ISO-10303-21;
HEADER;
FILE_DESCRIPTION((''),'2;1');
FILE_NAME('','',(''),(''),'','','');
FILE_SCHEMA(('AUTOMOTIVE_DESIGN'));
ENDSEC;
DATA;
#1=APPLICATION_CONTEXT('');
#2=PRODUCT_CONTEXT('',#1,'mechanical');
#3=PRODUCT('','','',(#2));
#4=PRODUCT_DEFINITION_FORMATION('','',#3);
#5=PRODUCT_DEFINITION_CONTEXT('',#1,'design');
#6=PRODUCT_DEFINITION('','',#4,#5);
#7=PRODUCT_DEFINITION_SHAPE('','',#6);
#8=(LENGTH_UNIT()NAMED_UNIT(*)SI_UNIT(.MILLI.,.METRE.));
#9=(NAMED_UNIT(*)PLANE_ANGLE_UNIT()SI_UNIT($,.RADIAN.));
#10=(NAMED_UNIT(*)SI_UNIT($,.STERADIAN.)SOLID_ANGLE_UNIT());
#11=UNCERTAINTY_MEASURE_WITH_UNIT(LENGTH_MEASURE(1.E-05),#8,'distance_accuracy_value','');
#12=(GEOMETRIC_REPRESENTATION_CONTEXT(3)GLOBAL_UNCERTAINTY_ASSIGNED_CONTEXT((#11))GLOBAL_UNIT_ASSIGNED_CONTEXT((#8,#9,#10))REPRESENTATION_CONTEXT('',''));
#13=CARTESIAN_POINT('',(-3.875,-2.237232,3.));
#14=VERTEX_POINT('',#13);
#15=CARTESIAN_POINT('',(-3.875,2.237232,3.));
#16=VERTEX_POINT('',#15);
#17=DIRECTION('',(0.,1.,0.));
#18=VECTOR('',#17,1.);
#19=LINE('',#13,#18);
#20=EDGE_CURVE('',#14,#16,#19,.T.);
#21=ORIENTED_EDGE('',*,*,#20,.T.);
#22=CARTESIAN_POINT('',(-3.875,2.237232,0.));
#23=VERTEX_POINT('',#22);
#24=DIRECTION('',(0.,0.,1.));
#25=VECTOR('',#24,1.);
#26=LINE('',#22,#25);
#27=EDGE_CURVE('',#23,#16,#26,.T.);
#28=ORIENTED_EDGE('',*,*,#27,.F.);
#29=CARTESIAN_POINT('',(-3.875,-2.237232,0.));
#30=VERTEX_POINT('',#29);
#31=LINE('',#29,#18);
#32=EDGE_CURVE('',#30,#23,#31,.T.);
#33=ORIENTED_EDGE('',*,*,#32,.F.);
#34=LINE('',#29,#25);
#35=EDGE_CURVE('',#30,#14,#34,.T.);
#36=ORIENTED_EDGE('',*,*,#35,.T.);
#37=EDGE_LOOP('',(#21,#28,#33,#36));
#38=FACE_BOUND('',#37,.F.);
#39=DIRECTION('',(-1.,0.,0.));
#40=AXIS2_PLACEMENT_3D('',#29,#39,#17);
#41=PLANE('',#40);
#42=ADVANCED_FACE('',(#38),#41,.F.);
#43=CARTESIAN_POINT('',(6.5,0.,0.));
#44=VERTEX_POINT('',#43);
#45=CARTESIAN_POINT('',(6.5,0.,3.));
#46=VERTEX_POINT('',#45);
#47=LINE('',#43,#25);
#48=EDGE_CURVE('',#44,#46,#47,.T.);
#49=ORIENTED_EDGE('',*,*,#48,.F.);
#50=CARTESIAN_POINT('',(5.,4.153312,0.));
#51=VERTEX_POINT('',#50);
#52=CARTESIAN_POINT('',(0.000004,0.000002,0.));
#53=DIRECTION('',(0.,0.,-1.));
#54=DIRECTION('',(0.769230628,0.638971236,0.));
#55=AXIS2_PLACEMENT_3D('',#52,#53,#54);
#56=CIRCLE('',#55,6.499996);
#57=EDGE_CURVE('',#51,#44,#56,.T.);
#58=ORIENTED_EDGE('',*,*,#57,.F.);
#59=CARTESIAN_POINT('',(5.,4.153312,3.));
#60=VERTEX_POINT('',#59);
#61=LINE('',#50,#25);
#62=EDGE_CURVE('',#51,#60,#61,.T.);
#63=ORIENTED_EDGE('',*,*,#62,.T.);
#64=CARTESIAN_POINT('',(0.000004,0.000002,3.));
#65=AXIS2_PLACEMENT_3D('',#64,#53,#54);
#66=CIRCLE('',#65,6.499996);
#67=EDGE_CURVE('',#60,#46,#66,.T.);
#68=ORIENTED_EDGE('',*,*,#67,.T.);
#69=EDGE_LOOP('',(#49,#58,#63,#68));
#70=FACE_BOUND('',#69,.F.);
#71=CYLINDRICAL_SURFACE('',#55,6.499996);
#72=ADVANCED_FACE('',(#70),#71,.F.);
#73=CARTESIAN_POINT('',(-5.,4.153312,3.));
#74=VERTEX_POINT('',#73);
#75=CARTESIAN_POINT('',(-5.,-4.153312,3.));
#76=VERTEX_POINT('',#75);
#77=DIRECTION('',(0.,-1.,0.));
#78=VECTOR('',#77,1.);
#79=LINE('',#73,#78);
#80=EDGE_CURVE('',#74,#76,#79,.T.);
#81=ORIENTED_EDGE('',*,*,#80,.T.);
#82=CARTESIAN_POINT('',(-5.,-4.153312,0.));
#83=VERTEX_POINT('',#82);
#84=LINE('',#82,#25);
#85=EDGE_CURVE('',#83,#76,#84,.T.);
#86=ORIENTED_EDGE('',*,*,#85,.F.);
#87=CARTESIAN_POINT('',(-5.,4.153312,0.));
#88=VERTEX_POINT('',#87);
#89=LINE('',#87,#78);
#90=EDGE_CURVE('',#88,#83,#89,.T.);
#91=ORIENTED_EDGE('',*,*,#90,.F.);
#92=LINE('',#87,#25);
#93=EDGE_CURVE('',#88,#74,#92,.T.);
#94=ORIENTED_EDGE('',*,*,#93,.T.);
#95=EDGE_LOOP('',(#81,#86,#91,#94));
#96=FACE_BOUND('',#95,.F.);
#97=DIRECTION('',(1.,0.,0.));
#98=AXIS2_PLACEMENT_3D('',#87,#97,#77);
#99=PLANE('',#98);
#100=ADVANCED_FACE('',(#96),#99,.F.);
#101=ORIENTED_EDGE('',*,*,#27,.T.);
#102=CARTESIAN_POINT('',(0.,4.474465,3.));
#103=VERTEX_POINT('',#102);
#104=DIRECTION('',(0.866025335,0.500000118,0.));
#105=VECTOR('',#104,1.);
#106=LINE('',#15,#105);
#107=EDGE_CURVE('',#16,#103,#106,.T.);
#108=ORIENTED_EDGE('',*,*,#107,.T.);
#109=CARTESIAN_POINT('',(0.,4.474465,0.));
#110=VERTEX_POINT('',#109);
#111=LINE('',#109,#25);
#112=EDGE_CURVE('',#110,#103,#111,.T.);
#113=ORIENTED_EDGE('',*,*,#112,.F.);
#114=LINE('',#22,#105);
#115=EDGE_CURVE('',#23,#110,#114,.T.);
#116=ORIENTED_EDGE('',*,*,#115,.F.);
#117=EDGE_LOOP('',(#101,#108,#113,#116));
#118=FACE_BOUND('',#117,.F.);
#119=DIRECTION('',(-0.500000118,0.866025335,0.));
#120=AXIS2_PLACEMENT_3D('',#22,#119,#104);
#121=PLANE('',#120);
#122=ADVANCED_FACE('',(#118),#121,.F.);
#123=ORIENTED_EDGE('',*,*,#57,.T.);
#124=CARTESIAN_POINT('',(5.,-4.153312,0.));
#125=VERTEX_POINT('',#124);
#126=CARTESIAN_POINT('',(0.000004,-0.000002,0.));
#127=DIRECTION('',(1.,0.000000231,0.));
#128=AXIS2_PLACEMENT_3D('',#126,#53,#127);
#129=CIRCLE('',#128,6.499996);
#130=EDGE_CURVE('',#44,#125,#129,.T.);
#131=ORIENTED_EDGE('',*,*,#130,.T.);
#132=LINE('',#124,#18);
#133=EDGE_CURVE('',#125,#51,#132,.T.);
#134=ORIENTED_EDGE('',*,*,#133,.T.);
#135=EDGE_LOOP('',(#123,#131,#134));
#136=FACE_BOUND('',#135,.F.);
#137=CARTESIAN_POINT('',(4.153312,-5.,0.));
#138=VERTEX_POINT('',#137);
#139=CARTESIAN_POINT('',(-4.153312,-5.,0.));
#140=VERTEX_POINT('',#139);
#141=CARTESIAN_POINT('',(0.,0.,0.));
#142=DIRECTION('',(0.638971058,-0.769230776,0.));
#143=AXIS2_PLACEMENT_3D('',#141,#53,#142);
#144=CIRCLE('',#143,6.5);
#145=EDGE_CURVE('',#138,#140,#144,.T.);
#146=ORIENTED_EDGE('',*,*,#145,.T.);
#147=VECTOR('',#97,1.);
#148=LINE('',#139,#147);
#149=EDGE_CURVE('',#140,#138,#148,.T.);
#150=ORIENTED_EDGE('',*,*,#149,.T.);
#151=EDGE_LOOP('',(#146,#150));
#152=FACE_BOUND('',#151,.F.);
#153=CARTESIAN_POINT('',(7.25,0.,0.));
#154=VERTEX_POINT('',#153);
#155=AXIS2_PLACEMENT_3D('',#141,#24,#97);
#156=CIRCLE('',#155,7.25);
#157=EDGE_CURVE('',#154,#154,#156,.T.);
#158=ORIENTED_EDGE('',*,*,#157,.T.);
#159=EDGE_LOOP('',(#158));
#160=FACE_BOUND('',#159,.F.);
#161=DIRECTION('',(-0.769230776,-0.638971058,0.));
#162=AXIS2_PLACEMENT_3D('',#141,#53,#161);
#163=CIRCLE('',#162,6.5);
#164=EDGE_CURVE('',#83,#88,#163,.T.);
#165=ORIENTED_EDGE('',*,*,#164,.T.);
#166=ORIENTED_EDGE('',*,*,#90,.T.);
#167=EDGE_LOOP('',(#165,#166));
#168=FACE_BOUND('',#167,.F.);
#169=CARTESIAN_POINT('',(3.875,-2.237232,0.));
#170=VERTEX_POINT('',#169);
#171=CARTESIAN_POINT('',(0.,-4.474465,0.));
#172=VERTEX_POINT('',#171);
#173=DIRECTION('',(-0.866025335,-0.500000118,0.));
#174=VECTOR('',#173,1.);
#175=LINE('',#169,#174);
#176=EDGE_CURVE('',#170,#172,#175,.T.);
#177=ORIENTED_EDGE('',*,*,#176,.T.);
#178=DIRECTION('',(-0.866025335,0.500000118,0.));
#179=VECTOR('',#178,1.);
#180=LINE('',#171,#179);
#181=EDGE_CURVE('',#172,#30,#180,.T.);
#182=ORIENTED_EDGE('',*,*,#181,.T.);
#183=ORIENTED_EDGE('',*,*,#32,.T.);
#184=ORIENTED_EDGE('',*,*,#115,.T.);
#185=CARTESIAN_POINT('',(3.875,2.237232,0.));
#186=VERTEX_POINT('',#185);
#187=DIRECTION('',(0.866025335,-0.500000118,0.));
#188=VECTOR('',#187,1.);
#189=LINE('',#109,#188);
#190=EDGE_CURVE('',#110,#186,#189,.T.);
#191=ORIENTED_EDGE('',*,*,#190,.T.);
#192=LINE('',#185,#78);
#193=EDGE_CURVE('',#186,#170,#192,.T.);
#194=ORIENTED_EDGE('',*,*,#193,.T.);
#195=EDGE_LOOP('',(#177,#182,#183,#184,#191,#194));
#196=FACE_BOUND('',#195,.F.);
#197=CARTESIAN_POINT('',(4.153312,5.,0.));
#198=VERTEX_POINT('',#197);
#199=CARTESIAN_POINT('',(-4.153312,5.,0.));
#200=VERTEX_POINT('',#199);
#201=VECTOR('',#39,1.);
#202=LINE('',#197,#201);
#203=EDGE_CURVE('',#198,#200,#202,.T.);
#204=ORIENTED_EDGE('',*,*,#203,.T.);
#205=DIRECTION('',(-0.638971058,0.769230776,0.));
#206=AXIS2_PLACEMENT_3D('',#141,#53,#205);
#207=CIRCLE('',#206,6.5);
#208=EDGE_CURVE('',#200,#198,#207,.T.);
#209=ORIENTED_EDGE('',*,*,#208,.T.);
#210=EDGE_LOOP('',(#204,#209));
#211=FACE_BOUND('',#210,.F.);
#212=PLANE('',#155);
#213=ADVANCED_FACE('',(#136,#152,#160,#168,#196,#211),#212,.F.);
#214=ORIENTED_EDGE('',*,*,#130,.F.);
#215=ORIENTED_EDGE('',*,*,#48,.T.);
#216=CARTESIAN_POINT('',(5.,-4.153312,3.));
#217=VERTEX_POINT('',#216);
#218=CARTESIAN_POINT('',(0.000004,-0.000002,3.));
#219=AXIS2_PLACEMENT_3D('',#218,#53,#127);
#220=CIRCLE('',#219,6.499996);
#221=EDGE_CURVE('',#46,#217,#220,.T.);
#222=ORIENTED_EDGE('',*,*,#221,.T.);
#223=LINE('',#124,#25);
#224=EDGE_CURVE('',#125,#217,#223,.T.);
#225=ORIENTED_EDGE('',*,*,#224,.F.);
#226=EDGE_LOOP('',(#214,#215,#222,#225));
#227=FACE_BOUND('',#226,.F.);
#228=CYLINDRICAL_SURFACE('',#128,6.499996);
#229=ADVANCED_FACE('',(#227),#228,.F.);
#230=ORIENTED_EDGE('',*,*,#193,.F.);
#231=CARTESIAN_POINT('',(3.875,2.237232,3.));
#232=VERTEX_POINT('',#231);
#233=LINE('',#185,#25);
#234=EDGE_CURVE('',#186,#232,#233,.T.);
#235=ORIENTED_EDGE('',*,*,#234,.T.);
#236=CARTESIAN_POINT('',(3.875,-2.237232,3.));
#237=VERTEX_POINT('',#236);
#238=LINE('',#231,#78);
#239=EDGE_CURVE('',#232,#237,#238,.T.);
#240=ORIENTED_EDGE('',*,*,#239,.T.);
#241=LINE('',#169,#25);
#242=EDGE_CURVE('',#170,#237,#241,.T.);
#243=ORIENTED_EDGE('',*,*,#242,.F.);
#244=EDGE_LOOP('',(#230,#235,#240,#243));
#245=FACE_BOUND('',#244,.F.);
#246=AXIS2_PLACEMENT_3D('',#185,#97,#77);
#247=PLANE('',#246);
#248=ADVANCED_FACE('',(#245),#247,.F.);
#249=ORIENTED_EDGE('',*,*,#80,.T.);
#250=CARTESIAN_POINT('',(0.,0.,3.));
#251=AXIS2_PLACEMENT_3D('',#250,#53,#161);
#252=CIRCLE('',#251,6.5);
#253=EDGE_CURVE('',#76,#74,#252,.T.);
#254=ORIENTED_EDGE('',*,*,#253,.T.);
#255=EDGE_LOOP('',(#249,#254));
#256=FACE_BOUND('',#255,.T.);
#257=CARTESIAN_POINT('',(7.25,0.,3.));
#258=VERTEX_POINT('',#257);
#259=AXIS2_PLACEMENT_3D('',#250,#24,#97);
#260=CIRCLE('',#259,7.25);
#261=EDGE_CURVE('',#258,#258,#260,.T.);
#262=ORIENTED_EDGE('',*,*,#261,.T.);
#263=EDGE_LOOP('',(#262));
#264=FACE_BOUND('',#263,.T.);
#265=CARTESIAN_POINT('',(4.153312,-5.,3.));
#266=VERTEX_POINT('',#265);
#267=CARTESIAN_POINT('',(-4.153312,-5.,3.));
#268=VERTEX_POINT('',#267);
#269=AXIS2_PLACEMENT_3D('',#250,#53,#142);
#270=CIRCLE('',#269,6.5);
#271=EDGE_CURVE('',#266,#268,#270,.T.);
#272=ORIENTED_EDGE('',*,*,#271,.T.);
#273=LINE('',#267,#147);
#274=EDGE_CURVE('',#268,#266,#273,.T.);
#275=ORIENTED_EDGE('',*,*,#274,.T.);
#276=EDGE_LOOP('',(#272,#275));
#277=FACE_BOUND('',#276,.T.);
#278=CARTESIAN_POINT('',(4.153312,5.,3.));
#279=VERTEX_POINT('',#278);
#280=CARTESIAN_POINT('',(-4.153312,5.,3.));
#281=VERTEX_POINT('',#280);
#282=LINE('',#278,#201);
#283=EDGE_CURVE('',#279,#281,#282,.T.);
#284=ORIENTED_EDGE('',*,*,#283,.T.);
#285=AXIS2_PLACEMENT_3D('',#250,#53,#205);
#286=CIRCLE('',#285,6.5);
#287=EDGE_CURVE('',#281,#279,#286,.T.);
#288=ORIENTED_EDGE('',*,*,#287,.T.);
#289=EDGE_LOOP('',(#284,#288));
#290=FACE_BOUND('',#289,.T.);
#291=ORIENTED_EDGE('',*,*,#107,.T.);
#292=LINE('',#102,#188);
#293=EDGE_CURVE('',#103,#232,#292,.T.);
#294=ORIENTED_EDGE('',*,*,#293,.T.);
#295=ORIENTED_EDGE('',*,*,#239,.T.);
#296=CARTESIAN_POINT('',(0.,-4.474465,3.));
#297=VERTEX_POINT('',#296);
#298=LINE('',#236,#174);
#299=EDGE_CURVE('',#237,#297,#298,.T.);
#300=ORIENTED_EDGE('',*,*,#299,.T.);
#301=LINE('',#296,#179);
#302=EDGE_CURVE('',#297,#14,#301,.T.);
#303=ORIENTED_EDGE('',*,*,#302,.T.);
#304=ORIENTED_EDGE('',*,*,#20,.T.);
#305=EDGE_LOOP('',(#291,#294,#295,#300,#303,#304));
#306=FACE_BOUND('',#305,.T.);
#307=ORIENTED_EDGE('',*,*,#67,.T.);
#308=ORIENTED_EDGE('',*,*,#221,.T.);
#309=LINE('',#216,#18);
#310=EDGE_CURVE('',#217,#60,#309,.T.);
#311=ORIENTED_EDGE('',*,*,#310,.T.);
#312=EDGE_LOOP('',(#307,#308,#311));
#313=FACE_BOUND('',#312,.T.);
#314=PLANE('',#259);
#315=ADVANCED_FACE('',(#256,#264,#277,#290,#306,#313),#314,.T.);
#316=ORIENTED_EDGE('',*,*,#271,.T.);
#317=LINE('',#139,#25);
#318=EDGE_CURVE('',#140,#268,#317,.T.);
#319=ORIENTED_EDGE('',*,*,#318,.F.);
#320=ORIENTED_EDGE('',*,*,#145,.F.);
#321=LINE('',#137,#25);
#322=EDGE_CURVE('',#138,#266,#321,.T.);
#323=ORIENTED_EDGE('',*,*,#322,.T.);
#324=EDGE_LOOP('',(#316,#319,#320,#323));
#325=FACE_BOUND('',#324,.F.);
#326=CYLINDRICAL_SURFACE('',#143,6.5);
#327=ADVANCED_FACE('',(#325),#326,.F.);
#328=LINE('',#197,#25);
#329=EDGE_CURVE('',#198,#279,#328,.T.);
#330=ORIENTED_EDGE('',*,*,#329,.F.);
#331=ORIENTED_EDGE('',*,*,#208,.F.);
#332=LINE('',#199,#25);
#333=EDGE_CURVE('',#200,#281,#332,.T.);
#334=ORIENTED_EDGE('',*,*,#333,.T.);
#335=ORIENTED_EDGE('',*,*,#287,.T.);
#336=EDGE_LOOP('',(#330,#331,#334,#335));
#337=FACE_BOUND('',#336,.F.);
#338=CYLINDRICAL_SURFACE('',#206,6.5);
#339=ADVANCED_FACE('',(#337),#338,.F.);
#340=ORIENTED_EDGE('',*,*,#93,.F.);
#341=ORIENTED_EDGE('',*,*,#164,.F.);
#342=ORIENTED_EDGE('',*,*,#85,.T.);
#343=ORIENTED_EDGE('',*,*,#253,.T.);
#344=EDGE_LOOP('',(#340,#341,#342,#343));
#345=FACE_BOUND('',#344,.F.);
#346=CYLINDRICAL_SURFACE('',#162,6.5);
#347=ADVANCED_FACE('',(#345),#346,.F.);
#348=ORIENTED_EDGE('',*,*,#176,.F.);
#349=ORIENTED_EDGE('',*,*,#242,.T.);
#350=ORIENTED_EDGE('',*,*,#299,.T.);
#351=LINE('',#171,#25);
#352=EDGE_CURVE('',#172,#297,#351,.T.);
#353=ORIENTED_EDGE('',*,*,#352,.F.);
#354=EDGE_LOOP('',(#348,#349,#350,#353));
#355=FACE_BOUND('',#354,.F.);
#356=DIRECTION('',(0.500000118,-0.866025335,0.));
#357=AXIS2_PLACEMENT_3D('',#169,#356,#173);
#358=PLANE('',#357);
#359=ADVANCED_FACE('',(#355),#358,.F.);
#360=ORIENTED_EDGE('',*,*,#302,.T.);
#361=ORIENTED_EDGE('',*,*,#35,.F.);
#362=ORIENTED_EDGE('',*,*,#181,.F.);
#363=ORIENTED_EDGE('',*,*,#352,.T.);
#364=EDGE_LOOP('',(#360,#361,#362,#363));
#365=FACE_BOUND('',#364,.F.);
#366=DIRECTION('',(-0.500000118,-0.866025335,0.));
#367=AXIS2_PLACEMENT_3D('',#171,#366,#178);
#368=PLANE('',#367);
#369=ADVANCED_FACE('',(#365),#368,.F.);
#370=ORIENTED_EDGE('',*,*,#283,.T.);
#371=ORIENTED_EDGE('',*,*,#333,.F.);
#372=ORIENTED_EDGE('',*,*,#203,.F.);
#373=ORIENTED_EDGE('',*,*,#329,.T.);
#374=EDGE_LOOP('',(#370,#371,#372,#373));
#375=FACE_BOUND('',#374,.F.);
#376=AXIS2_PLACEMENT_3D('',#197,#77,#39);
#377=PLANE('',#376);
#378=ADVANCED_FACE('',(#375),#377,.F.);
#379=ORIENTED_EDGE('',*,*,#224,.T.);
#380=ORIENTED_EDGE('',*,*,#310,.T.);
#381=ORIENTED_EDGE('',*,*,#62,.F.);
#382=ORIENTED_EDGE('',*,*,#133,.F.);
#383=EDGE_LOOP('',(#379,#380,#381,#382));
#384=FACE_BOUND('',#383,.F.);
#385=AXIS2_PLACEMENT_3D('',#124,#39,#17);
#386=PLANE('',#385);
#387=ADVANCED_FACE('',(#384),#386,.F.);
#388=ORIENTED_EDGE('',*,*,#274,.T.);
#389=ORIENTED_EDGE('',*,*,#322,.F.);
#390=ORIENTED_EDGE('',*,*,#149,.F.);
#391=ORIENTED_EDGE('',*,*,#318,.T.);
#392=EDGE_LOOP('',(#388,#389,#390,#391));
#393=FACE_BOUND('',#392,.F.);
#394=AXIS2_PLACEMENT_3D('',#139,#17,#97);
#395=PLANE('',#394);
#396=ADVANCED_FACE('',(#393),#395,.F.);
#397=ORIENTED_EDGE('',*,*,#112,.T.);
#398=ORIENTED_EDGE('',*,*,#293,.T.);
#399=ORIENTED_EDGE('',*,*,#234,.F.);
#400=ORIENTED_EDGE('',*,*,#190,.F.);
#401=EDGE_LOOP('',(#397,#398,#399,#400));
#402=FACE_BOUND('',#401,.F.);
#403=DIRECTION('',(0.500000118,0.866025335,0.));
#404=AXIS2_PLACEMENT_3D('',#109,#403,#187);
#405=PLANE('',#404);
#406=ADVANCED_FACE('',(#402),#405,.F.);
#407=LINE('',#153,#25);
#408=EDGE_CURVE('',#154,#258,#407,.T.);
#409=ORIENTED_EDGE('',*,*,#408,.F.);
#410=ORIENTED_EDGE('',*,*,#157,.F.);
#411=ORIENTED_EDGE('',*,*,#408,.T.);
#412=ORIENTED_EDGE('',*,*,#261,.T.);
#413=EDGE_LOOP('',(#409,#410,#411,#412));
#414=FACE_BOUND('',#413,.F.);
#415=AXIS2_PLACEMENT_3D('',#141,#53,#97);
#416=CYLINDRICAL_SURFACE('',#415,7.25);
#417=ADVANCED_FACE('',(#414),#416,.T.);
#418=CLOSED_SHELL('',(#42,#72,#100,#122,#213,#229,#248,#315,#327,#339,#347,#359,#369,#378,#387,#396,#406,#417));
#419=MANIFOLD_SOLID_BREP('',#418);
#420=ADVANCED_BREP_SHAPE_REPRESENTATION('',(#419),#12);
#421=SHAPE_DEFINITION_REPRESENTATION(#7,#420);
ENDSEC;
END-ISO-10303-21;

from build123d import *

# Parameters (mm, degrees)
F0_R     = 7.25
F1_DEPTH = 3


with BuildPart() as f1:
    # F0 (on Top) → F1 (new body)
    with BuildSketch(Plane.XY):
        Circle(F0_R)
        with BuildLine():
            Line((4.153312, 5), (5, 5))
            Line((5, 5), (5, 4.153312))
            ThreePointArc((5, 4.153312), (6.11351, 2.20794), (6.5, 0))
            ThreePointArc((6.5, 0), (6.11351, -2.20794), (5, -4.153312))
            Line((5, -4.153312), (5, -5))
            Line((5, -5), (4.153312, -5))
            ThreePointArc((4.153312, -5), (0, -6.5), (-4.153312, -5))
            Line((-4.153312, -5), (-5, -5))
            Line((-5, -5), (-5, -4.153312))
            ThreePointArc((-5, -4.153312), (-6.5, 0), (-5, 4.153312))
            Line((-5, 4.153312), (-5, 5))
            Line((-5, 5), (-4.153312, 5))
            ThreePointArc((-4.153312, 5), (0, 6.5), (4.153312, 5))
        make_face(mode=Mode.SUBTRACT)
        with BuildLine():
            ThreePointArc((5, 4.153312), (4.596194, 4.596194), (4.153312, 5))
            Line((4.153312, 5), (-4.153312, 5))
            ThreePointArc((-4.153312, 5), (-4.596194, 4.596194), (-5, 4.153312))
            Line((-5, 4.153312), (-5, -4.153312))
            ThreePointArc((-5, -4.153312), (-4.596194, -4.596194), (-4.153312, -5))
            Line((-4.153312, -5), (4.153312, -5))
            ThreePointArc((4.153312, -5), (4.596194, -4.596194), (5, -4.153312))
            Line((5, -4.153312), (5, 4.153312))
        make_face()
        Polygon((0, 4.474465), (3.875, 2.237232), (3.875, -2.237232), (0, -4.474465), (-3.875, -2.237232), (-3.875, 2.237232), align=None, mode=Mode.SUBTRACT)
        with BuildLine():
            ThreePointArc((-5, 4.153312), (-4.596194, 4.596194), (-4.153312, 5))
            Line((-4.153312, 5), (-5, 5))
            Line((-5, 5), (-5, 4.153312))
        make_face()
        with BuildLine():
            Line((5, 4.153312), (5, 5))
            Line((5, 5), (4.153312, 5))
            ThreePointArc((4.153312, 5), (4.596194, 4.596194), (5, 4.153312))
        make_face()
        with BuildLine():
            Line((5, -5), (5, -4.153312))
            ThreePointArc((5, -4.153312), (4.596194, -4.596194), (4.153312, -5))
            Line((4.153312, -5), (5, -5))
        make_face()
        with BuildLine():
            ThreePointArc((-4.153312, -5), (-4.596194, -4.596194), (-5, -4.153312))
            Line((-5, -4.153312), (-5, -5))
            Line((-5, -5), (-4.153312, -5))
        make_face()
    extrude(amount=F1_DEPTH)


solid = f1.part
